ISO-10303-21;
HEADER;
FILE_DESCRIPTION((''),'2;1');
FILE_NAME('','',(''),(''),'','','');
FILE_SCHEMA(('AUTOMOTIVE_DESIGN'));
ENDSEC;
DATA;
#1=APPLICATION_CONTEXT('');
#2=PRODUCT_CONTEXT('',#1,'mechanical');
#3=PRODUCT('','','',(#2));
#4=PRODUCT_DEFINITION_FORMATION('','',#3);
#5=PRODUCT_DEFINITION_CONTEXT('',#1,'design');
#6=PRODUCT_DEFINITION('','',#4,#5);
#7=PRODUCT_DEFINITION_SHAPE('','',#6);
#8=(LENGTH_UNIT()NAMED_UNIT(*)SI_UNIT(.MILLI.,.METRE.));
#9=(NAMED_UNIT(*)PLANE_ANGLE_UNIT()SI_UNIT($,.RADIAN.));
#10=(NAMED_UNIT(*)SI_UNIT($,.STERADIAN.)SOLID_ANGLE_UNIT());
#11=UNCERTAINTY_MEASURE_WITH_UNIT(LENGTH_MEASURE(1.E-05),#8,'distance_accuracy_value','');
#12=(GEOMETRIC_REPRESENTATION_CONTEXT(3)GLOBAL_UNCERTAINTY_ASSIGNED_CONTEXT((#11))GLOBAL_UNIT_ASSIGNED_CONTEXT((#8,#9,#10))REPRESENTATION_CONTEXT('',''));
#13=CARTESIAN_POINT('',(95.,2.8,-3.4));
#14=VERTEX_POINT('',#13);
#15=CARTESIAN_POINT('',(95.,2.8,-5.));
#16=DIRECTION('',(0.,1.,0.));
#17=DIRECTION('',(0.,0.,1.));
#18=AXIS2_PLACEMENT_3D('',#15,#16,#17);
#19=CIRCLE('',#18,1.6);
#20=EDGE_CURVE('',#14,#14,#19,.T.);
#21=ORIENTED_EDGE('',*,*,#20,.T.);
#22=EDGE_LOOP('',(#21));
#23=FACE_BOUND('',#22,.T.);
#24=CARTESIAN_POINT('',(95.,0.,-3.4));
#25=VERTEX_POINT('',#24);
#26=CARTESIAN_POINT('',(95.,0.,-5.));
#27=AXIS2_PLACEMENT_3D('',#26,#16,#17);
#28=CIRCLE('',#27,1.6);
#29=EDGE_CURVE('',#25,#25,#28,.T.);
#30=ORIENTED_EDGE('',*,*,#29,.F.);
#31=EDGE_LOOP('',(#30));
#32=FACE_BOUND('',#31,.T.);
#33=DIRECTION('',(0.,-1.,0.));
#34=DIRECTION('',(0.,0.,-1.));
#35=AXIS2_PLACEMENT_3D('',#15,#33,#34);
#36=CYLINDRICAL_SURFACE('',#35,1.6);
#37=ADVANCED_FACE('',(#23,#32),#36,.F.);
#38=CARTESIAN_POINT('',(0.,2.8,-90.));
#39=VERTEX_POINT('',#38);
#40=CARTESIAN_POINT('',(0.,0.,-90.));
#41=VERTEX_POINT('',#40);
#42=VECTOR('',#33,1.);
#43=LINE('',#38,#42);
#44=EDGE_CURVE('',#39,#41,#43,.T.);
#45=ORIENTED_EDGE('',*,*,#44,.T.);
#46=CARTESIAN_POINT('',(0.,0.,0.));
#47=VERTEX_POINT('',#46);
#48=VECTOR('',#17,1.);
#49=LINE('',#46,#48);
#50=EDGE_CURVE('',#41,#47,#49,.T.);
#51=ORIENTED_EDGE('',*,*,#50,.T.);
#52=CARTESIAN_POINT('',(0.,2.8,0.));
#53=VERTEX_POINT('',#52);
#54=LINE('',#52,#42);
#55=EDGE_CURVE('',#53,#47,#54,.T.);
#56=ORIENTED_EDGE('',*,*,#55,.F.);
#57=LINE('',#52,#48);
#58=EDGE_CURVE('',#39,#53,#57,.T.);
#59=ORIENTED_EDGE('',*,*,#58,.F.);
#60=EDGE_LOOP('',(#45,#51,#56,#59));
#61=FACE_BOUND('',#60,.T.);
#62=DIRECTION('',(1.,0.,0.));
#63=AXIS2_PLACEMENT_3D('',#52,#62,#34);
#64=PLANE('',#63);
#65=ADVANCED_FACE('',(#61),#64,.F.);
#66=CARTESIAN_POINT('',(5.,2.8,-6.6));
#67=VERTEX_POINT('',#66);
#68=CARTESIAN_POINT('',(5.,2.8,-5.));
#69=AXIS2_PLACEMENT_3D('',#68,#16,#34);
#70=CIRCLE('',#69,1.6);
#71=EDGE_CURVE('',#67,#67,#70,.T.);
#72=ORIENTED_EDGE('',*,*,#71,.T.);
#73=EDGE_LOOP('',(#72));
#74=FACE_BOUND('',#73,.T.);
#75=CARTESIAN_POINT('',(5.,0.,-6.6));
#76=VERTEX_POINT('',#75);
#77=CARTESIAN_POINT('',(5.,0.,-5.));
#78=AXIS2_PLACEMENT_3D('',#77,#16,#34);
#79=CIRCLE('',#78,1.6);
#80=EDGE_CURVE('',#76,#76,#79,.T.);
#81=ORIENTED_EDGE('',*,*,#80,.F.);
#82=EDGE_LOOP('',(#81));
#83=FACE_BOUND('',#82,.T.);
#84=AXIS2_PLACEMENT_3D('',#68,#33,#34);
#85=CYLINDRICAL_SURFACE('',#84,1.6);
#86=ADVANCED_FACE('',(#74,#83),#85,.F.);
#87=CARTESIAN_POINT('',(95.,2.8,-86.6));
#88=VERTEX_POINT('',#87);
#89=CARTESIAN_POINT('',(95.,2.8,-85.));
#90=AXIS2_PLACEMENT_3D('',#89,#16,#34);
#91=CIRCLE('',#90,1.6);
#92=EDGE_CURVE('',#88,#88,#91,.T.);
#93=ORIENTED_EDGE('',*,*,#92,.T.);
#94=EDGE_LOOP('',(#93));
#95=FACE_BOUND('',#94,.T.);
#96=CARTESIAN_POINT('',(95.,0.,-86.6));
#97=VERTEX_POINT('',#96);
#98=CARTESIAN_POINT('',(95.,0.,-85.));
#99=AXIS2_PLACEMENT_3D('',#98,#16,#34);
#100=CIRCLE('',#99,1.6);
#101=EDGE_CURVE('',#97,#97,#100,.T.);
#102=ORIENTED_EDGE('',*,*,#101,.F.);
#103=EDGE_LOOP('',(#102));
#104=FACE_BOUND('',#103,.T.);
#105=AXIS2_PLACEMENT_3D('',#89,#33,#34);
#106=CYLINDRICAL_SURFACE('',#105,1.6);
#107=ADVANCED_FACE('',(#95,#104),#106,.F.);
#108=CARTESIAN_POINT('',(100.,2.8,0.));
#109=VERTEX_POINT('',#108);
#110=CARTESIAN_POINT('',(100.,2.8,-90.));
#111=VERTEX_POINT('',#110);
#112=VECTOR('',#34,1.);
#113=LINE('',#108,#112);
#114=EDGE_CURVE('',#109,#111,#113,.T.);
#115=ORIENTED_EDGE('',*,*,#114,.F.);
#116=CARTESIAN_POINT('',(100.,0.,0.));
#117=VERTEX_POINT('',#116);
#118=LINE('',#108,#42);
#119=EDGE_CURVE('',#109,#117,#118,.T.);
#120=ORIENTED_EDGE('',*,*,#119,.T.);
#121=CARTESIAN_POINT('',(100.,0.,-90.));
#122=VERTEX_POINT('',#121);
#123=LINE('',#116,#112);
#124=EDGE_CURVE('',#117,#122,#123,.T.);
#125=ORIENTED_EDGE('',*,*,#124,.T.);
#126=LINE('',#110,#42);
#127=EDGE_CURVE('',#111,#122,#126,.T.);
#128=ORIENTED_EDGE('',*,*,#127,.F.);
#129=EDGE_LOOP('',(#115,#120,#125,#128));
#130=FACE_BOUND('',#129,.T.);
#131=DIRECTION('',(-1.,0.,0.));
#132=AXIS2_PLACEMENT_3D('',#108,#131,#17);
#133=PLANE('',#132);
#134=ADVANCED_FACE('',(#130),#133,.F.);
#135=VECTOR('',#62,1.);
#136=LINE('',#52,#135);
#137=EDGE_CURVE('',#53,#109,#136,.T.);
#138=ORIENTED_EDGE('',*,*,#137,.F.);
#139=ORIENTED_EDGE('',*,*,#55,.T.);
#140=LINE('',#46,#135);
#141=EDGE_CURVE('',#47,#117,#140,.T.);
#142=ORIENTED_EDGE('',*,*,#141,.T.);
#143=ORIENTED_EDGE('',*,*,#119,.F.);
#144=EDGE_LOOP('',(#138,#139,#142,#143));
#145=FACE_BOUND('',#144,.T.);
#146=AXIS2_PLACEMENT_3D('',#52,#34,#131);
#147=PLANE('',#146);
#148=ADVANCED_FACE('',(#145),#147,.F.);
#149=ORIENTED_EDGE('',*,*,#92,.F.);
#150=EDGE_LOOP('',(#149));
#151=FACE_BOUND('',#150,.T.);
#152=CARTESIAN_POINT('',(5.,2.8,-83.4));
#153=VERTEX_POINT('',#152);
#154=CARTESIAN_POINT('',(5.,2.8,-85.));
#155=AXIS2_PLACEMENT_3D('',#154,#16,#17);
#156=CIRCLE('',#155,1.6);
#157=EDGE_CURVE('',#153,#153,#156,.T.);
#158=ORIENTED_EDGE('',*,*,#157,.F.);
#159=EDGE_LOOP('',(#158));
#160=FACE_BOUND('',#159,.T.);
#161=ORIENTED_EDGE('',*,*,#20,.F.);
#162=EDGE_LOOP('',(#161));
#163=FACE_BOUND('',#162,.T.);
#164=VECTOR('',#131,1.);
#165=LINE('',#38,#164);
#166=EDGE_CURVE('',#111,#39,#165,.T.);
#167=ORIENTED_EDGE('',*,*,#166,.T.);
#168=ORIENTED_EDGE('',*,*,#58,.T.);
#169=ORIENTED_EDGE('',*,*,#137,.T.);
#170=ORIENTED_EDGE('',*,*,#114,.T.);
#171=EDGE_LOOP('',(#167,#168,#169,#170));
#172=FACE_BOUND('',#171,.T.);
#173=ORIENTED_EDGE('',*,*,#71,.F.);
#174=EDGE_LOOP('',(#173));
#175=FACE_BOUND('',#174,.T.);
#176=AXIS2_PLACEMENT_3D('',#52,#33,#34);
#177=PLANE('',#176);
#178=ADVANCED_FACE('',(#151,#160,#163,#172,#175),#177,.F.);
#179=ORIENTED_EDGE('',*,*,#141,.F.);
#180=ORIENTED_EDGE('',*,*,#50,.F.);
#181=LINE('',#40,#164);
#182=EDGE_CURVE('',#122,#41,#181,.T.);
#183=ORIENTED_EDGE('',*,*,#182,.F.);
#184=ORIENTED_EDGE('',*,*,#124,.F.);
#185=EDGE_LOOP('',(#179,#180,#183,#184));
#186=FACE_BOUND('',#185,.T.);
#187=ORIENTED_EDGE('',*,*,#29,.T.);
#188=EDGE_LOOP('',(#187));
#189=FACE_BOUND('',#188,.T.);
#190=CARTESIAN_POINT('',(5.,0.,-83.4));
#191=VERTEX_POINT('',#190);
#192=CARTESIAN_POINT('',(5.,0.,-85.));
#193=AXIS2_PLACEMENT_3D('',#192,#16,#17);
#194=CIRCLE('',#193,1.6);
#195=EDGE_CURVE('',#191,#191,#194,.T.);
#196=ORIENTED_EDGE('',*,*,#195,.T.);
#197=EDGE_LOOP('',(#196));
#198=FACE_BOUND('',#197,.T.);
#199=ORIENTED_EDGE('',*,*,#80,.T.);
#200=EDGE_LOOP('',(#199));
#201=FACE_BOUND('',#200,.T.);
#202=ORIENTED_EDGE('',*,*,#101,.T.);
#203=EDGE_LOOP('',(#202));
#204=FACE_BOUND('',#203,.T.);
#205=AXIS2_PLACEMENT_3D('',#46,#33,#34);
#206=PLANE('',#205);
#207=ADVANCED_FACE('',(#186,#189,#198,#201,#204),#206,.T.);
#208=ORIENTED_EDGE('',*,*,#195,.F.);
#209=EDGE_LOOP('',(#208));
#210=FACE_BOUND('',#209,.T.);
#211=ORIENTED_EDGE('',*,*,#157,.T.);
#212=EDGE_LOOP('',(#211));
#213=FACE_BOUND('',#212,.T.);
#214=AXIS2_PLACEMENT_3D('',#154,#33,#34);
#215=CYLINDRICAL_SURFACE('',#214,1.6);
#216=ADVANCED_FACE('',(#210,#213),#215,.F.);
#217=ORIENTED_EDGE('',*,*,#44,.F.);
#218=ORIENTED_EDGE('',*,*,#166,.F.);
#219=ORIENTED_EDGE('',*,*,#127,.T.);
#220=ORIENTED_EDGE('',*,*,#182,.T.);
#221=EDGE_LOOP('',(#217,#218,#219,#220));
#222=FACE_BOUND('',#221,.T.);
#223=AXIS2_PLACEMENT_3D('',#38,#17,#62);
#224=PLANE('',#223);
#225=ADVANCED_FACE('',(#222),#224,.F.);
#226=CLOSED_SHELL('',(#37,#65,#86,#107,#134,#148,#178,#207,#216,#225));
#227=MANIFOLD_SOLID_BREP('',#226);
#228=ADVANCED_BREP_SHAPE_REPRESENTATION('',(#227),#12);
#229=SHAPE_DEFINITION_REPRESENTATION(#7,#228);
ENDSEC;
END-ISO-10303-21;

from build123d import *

# Parameters (mm, degrees)
SKETCH_1_W      = 100
SKETCH_1_H      = 90
SKETCH_1_R      = 1.6
EXTRUDE_1_DEPTH = 2.8


with BuildPart() as part:
    # 草图1 → 凸台-拉伸1 (new body)
    with BuildSketch(Plane(origin=(0, 0, 0), x_dir=(1, 0, 0), z_dir=(0, 1, 0))):
        with Locations((50, 45)):
            Rectangle(SKETCH_1_W, SKETCH_1_H)
        with Locations((5, 85)):
            Circle(SKETCH_1_R, mode=Mode.SUBTRACT)
        with Locations((95, 85)):
            Circle(SKETCH_1_R, mode=Mode.SUBTRACT)
        with Locations((95, 5)):
            Circle(SKETCH_1_R, mode=Mode.SUBTRACT)
        with Locations((5, 5)):
            Circle(SKETCH_1_R, mode=Mode.SUBTRACT)
    extrude(amount=EXTRUDE_1_DEPTH)


solid = part.part
